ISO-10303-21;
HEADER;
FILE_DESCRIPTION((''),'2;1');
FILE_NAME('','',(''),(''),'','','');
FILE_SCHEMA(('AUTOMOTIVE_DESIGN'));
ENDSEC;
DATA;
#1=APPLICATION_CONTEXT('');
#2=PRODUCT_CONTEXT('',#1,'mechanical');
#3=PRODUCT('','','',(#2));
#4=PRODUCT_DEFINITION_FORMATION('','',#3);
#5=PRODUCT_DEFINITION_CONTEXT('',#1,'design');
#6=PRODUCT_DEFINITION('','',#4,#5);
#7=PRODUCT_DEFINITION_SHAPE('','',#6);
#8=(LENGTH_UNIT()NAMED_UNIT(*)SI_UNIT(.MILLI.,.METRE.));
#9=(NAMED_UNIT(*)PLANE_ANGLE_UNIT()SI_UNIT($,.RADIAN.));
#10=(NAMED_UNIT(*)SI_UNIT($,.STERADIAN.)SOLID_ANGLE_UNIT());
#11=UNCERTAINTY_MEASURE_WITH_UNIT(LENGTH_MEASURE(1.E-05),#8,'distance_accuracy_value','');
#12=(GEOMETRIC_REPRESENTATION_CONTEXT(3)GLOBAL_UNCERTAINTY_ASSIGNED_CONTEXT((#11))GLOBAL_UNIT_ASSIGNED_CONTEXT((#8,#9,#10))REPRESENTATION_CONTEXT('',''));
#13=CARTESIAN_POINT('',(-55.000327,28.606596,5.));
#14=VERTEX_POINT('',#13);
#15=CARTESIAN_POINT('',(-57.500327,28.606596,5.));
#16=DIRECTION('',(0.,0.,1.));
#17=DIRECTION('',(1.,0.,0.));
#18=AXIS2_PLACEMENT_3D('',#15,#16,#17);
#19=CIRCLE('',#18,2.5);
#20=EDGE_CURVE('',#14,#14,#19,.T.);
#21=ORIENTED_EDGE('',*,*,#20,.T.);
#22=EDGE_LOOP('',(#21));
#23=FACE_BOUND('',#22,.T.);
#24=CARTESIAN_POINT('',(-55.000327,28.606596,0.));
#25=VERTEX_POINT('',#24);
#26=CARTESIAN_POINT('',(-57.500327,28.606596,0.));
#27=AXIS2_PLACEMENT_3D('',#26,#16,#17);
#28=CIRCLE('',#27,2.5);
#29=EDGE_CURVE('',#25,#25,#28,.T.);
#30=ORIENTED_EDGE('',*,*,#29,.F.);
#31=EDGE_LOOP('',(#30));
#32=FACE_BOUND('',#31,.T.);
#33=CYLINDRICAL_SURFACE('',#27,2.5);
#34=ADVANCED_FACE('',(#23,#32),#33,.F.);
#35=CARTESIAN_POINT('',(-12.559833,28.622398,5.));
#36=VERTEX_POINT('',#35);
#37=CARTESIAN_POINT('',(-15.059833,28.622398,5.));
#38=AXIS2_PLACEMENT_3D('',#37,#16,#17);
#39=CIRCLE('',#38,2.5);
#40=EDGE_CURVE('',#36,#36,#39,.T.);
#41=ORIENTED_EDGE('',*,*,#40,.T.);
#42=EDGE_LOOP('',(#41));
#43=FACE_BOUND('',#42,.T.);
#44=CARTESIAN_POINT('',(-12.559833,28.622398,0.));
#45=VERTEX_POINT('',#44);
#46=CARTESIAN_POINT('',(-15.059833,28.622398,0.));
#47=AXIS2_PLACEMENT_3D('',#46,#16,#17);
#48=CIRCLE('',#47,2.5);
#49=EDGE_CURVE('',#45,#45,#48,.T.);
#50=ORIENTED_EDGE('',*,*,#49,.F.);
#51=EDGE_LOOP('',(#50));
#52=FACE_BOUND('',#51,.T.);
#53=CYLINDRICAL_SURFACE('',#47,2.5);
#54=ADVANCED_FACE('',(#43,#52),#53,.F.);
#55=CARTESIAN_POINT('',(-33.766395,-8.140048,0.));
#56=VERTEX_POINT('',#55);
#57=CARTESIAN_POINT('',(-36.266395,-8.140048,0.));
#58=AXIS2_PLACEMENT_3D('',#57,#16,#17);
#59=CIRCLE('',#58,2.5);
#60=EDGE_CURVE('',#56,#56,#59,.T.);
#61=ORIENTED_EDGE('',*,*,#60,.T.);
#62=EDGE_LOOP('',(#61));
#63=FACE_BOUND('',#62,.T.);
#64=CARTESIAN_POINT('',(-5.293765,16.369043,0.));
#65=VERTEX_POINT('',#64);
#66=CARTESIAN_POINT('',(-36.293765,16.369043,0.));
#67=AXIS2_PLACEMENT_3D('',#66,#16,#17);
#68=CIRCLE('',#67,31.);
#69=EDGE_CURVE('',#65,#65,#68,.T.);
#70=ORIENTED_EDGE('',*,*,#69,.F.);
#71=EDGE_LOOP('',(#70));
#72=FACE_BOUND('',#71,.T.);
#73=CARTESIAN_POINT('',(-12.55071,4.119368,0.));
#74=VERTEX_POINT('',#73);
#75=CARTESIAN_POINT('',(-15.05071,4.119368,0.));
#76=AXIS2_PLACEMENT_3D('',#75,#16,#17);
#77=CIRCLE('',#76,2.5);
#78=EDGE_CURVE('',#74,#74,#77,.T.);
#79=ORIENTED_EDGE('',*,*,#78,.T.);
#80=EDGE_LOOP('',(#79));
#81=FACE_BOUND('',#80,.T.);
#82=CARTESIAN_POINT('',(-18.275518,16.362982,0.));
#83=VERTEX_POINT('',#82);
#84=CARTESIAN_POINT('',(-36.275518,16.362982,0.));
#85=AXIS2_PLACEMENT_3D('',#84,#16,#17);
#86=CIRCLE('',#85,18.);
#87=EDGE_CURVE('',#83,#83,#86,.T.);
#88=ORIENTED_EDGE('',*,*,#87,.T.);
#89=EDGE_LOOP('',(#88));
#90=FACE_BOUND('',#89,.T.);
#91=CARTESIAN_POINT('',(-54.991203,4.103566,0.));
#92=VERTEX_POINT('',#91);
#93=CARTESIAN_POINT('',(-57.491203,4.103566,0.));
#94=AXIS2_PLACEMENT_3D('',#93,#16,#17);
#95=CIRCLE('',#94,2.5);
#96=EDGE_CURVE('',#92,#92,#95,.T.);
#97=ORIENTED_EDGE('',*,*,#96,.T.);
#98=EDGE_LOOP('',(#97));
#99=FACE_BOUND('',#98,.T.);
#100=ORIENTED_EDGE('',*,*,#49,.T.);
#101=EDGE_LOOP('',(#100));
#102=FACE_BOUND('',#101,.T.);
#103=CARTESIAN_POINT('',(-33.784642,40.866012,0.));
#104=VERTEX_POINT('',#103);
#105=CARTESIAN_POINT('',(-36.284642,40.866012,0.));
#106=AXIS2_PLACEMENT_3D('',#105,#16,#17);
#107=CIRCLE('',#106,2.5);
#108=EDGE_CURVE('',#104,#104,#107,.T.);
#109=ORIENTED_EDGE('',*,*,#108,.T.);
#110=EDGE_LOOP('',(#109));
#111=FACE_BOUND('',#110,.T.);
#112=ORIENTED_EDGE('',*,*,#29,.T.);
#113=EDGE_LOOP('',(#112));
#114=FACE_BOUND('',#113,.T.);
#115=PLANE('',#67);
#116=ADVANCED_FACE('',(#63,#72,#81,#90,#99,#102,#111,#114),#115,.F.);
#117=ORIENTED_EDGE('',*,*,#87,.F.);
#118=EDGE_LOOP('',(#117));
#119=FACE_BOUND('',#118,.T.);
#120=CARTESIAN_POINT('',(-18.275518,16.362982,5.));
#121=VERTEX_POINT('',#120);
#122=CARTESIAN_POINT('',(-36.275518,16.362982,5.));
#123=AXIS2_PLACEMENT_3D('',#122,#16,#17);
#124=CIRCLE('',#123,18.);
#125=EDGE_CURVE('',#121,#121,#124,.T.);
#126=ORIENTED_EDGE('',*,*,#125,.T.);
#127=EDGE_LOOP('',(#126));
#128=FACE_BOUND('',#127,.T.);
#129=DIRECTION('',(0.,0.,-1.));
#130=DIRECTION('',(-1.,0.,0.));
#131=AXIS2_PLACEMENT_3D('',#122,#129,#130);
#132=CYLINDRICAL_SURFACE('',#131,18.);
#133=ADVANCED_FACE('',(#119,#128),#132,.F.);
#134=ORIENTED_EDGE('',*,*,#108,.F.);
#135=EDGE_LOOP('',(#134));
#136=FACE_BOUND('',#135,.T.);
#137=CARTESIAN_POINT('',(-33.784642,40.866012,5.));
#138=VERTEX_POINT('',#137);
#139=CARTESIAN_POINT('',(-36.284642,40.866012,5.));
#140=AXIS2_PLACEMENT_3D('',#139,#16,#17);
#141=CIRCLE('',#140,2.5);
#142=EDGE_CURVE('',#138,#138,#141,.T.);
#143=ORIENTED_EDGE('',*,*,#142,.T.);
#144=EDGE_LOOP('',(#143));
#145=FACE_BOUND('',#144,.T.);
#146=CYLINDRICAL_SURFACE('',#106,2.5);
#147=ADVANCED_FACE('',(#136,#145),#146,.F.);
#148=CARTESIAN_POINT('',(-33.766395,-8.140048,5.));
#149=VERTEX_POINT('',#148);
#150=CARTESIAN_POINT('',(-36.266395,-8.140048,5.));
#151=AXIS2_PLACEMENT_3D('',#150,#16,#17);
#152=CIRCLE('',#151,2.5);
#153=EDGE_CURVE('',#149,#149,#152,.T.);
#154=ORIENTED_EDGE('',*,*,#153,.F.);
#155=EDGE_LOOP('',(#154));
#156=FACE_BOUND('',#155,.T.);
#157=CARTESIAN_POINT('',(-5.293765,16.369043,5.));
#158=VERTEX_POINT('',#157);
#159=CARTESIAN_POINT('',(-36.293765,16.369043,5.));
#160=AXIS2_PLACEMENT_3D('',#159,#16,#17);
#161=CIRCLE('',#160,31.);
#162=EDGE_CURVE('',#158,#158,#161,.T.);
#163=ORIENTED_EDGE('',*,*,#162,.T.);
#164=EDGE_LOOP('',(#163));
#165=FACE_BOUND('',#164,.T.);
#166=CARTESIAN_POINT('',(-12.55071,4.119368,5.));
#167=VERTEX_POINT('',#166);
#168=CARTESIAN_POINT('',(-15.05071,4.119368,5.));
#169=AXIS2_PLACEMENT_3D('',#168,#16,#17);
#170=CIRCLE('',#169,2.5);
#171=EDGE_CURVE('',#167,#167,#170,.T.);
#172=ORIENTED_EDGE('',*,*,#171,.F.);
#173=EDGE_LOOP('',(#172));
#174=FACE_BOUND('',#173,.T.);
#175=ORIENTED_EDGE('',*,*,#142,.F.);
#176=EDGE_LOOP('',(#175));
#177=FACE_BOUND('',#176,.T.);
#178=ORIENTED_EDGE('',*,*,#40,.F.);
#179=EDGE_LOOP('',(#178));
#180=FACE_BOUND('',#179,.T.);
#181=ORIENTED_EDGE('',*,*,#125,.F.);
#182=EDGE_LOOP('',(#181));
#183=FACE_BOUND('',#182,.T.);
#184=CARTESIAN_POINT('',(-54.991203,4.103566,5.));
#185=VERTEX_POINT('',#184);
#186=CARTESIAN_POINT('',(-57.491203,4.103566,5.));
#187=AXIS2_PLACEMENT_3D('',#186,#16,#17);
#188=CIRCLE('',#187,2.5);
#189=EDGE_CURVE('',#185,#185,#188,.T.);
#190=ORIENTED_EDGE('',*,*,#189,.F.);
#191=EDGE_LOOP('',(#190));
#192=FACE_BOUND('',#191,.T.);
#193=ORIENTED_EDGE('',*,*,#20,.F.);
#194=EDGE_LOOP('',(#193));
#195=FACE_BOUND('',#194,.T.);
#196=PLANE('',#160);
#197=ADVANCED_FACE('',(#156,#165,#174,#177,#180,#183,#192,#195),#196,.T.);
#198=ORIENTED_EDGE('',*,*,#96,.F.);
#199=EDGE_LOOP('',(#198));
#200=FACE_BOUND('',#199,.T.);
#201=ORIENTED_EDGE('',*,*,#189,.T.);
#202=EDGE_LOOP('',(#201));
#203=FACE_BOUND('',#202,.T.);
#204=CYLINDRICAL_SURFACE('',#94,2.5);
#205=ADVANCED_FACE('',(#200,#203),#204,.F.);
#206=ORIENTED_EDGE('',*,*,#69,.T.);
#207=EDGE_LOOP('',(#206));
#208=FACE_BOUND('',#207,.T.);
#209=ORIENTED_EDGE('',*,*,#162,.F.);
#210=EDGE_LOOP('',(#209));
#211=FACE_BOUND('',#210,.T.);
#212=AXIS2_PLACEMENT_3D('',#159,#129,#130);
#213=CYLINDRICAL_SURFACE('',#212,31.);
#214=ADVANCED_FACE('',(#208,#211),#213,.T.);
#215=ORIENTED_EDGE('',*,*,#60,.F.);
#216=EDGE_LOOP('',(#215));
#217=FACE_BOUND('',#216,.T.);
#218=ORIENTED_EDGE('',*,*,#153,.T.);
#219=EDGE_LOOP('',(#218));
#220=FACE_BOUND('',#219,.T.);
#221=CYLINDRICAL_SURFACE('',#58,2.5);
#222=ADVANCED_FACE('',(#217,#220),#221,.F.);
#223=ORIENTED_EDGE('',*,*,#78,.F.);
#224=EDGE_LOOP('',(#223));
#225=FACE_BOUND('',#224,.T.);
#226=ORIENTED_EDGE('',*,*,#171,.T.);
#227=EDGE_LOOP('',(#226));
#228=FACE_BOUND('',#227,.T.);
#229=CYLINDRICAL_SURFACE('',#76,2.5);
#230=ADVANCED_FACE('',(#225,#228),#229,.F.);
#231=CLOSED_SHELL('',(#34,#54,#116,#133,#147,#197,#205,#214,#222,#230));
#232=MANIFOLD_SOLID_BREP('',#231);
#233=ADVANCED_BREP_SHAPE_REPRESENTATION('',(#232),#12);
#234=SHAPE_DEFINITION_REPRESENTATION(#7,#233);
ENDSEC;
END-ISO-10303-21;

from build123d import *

# Parameters (mm, degrees)
SKETCH1_R           = 31
SKETCH1_R_2         = 18
BOSS_EXTRUDE1_DEPTH = 5
SKETCH2_R           = 2.5
CUT_EXTRUDE1_DEPTH  = 83.445600309


with BuildPart() as part:
    # Sketch1 → Boss-Extrude1 (new body)
    with BuildSketch(Plane.XY):
        with Locations((-36.293764936, 16.369042749)):
            Circle(SKETCH1_R)
        with Locations((-36.275518266, 16.362982128)):
            Circle(SKETCH1_R_2, mode=Mode.SUBTRACT)
    extrude(amount=BOSS_EXTRUDE1_DEPTH)

    # Sketch2 → Cut-Extrude1 (cut, through all)
    with BuildSketch(Plane.XY.offset(5)):
        with Locations((-36.284641601, 40.866012439)):
            Circle(SKETCH2_R)
        with Locations((-15.059833215, 28.622398324)):
            Circle(SKETCH2_R)
        with Locations((-15.050709879, 4.119368013)):
            Circle(SKETCH2_R)
        with Locations((-36.26639493, -8.140048182)):
            Circle(SKETCH2_R)
        with Locations((-57.491203317, 4.103565933)):
            Circle(SKETCH2_R)
        with Locations((-57.500326652, 28.606596243)):
            Circle(SKETCH2_R)
    extrude(amount=-CUT_EXTRUDE1_DEPTH, mode=Mode.SUBTRACT)


solid = part.part
